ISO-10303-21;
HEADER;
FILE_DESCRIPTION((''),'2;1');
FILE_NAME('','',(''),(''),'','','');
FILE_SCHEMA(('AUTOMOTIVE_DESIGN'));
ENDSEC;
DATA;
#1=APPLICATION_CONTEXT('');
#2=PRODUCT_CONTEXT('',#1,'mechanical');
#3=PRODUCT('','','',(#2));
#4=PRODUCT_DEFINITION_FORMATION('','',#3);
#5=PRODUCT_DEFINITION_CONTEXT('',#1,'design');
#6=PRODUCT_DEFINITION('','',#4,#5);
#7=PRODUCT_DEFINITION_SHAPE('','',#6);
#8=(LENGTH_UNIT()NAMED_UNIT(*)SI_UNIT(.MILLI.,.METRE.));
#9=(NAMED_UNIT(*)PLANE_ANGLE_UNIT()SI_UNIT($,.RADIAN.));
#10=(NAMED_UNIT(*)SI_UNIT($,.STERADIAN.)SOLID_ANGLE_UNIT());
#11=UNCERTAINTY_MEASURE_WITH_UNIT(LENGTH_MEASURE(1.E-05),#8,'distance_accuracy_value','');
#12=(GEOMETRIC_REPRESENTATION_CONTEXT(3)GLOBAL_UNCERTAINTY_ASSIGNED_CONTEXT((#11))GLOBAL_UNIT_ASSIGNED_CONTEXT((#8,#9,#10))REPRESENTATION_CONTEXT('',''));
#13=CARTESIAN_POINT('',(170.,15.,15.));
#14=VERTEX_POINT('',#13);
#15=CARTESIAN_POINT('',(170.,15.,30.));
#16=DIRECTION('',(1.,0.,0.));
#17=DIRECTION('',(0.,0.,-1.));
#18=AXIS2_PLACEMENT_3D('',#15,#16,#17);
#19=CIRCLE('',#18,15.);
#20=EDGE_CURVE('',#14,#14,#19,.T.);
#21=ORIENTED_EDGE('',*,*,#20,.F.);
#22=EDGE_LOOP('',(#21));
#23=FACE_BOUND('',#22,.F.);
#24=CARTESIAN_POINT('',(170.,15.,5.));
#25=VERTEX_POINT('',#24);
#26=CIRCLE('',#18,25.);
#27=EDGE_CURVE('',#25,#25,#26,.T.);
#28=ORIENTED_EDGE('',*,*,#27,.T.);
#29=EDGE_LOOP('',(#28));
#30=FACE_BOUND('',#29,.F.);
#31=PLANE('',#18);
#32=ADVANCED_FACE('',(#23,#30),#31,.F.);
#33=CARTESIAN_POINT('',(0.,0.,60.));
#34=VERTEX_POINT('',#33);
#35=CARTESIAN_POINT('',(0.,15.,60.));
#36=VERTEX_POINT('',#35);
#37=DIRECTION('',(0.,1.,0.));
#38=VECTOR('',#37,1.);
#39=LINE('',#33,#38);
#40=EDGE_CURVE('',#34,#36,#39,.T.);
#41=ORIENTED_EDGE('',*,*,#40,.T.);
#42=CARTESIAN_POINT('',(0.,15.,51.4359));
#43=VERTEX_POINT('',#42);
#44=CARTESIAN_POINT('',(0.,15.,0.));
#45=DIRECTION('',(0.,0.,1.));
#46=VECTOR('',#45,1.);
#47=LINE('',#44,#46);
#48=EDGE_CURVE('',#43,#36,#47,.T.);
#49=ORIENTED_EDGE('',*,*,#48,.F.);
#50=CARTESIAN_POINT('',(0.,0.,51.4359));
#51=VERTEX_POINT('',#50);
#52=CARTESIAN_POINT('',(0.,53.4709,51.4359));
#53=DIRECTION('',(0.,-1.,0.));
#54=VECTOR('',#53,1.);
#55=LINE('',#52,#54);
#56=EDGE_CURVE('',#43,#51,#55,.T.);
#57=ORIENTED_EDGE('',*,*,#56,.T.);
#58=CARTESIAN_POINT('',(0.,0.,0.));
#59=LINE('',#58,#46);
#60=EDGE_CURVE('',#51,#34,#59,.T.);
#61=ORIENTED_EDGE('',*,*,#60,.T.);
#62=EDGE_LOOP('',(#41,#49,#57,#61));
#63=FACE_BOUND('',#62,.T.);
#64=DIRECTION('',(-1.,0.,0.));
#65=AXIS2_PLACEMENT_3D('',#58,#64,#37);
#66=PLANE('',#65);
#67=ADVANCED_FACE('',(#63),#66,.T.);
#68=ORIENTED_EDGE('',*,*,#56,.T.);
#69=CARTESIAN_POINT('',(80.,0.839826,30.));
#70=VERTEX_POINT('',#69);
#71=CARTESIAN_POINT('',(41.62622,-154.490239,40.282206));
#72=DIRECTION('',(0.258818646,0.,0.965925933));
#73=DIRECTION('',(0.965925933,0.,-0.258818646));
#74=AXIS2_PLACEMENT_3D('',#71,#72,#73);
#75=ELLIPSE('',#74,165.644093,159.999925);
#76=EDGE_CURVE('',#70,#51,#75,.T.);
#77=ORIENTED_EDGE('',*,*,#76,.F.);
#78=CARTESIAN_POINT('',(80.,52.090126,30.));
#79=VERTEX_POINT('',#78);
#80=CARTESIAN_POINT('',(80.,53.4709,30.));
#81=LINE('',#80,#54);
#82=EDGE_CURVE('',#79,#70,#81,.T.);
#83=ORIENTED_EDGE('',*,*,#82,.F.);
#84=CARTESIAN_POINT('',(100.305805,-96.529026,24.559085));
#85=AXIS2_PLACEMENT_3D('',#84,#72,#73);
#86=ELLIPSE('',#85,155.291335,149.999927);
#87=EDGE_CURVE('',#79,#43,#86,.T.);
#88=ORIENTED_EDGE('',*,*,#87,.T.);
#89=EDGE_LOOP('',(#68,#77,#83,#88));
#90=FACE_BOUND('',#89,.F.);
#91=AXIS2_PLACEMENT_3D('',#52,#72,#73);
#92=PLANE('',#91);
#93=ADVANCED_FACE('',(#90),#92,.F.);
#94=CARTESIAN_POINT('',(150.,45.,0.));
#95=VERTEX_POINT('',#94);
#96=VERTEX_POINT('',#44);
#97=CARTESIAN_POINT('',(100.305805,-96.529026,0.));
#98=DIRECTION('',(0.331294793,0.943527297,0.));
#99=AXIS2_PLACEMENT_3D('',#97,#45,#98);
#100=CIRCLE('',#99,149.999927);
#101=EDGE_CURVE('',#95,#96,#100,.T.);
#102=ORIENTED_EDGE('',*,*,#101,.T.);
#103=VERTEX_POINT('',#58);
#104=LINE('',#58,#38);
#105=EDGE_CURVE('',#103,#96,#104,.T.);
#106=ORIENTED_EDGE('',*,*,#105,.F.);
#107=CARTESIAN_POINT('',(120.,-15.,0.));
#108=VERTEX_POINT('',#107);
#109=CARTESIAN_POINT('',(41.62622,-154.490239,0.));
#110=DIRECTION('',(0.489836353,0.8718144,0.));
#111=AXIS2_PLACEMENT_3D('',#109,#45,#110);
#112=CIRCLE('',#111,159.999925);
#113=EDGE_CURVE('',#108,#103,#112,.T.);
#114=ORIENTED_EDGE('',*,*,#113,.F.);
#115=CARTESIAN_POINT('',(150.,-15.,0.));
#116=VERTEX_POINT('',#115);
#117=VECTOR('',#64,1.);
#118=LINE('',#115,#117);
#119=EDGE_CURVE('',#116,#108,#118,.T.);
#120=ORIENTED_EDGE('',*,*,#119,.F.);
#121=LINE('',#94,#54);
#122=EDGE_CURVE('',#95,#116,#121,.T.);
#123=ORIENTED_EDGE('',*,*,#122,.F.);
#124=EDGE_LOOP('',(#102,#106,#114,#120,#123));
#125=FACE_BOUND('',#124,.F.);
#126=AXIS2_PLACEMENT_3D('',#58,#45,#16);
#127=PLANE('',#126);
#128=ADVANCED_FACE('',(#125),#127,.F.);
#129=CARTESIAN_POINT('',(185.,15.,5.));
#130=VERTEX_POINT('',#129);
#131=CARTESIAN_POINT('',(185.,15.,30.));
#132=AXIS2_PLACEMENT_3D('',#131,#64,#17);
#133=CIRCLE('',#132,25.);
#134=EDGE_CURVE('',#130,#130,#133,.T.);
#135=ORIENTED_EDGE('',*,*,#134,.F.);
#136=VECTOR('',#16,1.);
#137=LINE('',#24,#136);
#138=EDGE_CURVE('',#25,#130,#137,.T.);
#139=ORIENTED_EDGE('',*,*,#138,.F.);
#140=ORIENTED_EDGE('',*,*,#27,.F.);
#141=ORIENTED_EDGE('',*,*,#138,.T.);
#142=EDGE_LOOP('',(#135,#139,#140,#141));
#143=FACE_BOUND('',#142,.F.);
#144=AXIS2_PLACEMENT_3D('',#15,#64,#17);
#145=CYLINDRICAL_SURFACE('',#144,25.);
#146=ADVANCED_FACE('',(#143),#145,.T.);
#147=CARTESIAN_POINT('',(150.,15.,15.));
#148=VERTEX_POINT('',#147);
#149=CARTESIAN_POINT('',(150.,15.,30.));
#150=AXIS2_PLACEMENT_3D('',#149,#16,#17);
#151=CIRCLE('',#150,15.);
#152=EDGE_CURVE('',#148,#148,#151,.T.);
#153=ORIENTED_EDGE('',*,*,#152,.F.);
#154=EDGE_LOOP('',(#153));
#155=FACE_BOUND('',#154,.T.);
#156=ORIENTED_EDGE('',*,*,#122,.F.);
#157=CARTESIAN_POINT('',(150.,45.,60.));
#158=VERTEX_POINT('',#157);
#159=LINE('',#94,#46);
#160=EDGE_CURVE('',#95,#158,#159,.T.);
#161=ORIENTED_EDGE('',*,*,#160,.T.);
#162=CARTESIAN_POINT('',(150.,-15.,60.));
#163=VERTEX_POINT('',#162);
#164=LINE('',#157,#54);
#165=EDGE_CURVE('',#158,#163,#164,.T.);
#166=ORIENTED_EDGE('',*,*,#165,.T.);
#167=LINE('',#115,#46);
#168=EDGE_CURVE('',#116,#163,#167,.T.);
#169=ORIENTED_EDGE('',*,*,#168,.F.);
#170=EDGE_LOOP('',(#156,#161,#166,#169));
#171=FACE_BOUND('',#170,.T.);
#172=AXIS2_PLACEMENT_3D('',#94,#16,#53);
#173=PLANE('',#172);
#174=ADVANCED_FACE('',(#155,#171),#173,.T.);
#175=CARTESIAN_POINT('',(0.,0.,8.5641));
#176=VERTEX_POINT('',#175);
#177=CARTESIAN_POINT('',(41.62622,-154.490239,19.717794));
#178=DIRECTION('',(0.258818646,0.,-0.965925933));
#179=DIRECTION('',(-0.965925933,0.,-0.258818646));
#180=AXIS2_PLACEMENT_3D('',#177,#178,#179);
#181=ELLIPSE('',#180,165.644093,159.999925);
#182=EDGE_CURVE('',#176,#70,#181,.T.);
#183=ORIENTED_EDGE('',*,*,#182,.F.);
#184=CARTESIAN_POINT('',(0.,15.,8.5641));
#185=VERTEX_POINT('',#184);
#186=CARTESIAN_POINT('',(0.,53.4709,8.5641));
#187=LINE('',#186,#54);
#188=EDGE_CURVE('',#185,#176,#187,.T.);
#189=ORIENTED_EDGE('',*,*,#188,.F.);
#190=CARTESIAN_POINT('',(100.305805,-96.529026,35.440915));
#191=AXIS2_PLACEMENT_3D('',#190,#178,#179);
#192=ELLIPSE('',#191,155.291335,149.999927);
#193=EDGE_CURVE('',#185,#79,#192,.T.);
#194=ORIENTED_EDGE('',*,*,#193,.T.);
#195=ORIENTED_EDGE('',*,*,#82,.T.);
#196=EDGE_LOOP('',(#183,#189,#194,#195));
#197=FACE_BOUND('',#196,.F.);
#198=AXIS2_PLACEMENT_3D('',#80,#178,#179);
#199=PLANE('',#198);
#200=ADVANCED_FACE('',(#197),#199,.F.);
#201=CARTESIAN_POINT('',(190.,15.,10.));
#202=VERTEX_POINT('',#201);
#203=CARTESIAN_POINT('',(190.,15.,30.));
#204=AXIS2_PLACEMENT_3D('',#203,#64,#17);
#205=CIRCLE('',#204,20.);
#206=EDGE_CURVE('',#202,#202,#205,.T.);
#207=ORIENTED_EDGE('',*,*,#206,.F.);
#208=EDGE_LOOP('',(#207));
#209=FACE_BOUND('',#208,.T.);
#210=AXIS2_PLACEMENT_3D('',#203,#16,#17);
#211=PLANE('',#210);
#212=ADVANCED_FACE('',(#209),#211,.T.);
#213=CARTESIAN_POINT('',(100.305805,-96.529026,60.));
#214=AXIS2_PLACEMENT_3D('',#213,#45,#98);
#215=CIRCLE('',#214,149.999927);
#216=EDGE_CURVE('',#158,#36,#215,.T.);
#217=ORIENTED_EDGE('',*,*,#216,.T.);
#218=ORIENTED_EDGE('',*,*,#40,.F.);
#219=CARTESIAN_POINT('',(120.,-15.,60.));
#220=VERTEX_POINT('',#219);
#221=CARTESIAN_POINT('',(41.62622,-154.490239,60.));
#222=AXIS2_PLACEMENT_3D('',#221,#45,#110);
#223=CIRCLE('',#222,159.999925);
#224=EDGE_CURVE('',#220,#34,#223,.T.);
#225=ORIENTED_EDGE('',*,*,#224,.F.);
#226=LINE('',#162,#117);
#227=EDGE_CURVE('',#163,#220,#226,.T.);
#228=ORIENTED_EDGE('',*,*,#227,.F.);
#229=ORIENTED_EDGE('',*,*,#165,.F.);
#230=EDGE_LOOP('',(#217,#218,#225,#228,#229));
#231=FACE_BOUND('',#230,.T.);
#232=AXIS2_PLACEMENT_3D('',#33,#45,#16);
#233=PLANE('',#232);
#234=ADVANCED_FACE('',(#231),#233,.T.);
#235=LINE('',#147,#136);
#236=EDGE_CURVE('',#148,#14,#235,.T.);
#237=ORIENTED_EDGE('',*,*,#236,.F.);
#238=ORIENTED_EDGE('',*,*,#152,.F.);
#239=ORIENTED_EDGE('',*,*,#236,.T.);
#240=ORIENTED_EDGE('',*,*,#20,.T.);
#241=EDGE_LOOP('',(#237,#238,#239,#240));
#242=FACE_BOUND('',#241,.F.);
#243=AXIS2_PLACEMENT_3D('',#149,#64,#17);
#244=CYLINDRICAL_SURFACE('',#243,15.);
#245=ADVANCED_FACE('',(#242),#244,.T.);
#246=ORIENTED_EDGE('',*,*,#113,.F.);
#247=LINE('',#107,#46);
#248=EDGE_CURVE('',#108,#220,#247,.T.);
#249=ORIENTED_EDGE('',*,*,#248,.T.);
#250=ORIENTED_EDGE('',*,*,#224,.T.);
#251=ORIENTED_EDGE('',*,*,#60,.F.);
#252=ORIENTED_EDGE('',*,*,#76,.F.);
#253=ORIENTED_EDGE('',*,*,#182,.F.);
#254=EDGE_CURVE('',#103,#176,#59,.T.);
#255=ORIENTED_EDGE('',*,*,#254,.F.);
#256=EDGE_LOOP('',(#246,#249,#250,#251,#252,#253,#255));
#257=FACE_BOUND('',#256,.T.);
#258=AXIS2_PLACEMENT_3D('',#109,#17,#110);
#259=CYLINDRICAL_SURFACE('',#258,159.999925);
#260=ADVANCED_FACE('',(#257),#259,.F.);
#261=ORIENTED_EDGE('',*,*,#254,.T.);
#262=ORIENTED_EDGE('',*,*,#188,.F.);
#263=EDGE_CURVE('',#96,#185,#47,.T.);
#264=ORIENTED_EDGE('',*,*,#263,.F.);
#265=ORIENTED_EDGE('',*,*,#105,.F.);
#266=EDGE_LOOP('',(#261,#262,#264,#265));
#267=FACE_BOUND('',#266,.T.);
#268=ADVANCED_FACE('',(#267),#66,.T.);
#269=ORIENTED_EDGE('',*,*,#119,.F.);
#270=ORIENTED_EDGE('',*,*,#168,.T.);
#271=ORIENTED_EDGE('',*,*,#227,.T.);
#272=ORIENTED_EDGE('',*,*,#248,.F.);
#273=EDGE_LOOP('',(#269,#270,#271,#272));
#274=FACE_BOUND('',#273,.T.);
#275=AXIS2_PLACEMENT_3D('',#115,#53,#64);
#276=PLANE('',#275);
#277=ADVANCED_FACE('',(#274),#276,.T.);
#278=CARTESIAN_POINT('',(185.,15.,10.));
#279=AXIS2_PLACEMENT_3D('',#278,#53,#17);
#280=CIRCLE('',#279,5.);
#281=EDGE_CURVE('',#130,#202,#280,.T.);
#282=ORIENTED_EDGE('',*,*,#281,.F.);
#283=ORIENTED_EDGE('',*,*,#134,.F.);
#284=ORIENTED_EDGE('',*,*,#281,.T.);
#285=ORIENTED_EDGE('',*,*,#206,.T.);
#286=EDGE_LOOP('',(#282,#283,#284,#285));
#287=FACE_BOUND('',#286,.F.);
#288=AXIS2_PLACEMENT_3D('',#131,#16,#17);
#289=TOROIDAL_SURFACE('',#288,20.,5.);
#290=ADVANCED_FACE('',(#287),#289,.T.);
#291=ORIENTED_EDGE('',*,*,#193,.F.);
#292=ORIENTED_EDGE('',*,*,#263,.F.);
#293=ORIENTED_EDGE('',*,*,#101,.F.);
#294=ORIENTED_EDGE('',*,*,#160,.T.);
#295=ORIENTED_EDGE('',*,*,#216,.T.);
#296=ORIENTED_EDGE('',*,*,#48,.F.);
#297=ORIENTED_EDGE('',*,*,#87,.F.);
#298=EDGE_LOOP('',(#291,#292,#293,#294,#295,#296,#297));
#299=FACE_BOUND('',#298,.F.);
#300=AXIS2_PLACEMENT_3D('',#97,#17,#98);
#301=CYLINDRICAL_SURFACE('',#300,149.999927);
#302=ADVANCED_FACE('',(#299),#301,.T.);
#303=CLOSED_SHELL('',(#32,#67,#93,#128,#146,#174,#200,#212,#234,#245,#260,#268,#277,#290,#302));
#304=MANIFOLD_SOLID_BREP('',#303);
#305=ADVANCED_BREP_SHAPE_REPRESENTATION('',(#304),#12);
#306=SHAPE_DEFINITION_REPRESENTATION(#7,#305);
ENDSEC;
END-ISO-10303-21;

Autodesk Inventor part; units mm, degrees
ref_plane "YZ Plane" through (0, 0, 0) normal (1, 0, 0) x (0, 1, 0)
ref_plane "XZ Plane" through (0, 0, 0) normal (0, 1, 0) x (-1, 0, 0)
sketch "Skizze1" plane through (0, 0, 0) normal (0, 0, 1) x (1, 0, 0)
  line L0 (0, 0) -> (0, 15)
  arc A0 (150, 45) -> (0, 15) centre (100.3058, -96.5291) ccw
  line L1 (150, 45) -> (150, -15)
  line L2 (150, -15) -> (120, -15)
  arc A1 (120, -15) -> (0, 0) centre (41.6262, -154.4903) ccw
  dimension "hoehe2" = 60
  dimension "Durchmesser" = 160
  dimension "Durchmesser2" = 150
  dimension "Breite1" = 30
  dimension "d12" = 120
  dimension "Höhe1" = 15
  dimension "d14" = 15
extrude "Extrusion1" add sketch "Skizze1" along normal blind 60
ref_plane "Arbeitsebene1" through (100.3058, 53.4709, 0) normal (0, -1, 0) x (1, 0, 0)
sketch "Skizze2" plane through (100.3058, 53.4709, 0) normal (0, -1, 0) x (1, 0, 0)
  line L0 (-100.3058, 0) -> (-100.3058, 60) projected
  line L1 (-100.3058, 51.4359) -> (-20.3058, 30)
  line L2 (-20.3058, 30) -> (-100.3058, 8.5641)
  line L3 (-100.3058, 30) -> (-9.7877, 30) construction
  dimension "d17" = 30
  dimension "d18" = 80
extrude "Extrusion2" cut sketch "Skizze2" along normal up to surface
sketch "Skizze3" plane through (150, -15, 0) normal (1, 0, 0) x (0, 0, -1)
  circle A0 centre (-30, 30) radius 15
  line L0 (0, 0) -> (0, 60) projected
  line L1 (0, 0) -> (-60, 0) projected
  point P0 (0, 15)
  point P1 (0, 30)
  point P2 (-30, 0)
  dimension "d21" = 30
extrude "Extrusion3" add sketch "Skizze3" along normal blind 20
sketch "Skizze4" plane through (170, 15, 30) normal (1, 0, 0) x (0, 0, -1)
  line L0 (0, 37.0901) -> (0, -14.1602) projected
  circle A0 centre (0, 0) radius 25
  line L1 (30, -30) -> (30, 30) projected
  point P0 (30, -15)
  point P1 (30, 0)
  dimension "d24" = 50
extrude "Extrusion4" add sketch "Skizze4" along normal blind 20
fillet "Rundung1" radius 5 1 edges at (190, 15, 55)
properties part number "practice3" material "Phenolharz"
